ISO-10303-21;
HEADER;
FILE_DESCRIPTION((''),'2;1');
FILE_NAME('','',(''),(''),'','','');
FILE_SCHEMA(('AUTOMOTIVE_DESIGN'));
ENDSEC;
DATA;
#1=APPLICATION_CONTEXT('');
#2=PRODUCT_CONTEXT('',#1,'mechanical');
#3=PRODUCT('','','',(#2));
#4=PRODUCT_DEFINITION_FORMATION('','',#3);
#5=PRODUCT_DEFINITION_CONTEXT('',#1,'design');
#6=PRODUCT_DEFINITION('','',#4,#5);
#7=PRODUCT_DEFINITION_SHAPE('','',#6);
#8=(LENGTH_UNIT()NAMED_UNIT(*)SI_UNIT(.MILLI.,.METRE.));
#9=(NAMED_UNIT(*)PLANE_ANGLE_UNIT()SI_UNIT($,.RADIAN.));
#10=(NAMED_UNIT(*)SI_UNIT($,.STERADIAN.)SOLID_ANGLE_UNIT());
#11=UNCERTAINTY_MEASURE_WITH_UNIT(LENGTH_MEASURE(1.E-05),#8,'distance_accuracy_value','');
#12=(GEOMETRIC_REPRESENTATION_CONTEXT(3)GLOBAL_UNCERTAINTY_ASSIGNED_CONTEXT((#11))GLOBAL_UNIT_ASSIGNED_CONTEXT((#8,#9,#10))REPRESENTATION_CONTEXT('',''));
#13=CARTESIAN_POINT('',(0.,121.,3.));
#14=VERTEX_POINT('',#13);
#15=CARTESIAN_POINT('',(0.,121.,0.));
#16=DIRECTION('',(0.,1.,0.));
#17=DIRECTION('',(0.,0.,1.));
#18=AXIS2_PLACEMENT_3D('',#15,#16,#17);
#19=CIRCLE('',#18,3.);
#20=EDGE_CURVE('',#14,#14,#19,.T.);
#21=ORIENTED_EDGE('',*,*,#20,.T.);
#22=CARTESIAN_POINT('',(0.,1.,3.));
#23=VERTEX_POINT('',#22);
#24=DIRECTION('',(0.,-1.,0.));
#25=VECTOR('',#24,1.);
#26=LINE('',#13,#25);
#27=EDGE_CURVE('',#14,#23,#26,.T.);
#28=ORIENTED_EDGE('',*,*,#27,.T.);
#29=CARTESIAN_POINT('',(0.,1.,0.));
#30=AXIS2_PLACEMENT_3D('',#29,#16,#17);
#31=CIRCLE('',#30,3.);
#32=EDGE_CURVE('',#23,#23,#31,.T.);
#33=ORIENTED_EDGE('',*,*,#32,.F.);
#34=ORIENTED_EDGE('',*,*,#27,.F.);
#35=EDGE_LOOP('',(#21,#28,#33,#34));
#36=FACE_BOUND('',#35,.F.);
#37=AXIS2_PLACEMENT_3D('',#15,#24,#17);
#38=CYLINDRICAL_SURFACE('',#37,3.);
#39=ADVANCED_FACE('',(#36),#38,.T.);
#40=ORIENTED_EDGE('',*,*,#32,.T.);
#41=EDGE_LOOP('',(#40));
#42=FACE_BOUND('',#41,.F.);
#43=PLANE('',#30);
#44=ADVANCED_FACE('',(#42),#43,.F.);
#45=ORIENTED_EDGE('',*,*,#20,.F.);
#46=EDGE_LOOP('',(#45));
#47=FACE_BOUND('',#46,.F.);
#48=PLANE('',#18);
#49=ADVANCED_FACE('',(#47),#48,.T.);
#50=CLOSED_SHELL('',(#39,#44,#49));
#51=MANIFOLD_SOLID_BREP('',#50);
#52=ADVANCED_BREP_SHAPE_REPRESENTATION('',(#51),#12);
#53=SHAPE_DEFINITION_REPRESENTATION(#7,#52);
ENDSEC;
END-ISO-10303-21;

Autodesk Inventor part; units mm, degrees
ref_plane "YZ Plane" through (0, 0, 0) normal (1, 0, 0) x (0, 1, 0)
ref_plane "XZ Plane" through (0, 0, 0) normal (0, 1, 0) x (-1, 0, 0)
ref_plane "XY Plane" through (0, 0, 0) normal (0, 0, 1) x (1, 0, 0)
sketch "Sketch1" plane through (0, 0, 0) normal (1, 0, 0) x (0, 1, 0)
  line L0 (121, 3) -> (1, 3)
  line L1 (1, 3) -> (1, -3)
  line L2 (1, -3) -> (121, -3)
  line L3 (121, -3) -> (121, 3)
  line L4 (121, 3) -> (1, -3) construction
  line L5 (1, 3) -> (121, -3) construction
  line L6 (10, 8.35) -> (0, 8.35)
  line L7 (0, 8.35) -> (0, 20)
  line L8 (10, 8.35) -> (10, 9.45)
  line L9 (10, 9.45) -> (16, 9.45)
  line L10 (16, 9.45) -> (16, 17)
  line L11 (16, 17) -> (18, 17)
  line L12 (18, 17) -> (18, 18.5)
  line L13 (18, 18.5) -> (16, 18.5)
  line L14 (16, 18.5) -> (16, 20)
  line L15 (16, 20) -> (0, 20)
  line L16 (-24.2, 0) -> (145.2, 0) projected
  line L17 (16, 20) -> (31, 20)
  line L18 (18, 17) -> (31, 17)
  line L19 (75, 9.45) -> (69, 9.45)
  line L20 (69, 9.45) -> (69, 8.35)
  line L21 (69, 8.35) -> (66, 8.35)
  line L22 (75, 9.45) -> (75, 12.45)
  arc A0 (75, 12.45) -> (31, 20) centre (31, -111.9869) ccw
  arc A1 (59.1084, 13.9001) -> (31, 17) centre (31, -111.9869) ccw
  arc A2 (66, 8.35) -> (59.1084, 13.9001) centre (56.9292, 4.1404) ccw
  line L23 (121, 0) -> (1, 0)
  point P0 (0, 0)
  point P1 (61, 0)
  point P2 (61, 0)
  dimension "d0" = 120
  dimension "d1" = 6
  dimension "d5" = 8.35
  dimension "d6" = 9.45
  dimension "d7" = 1.5
  dimension "d8" = 1.5
  dimension "d9" = 20
  dimension "d10" = 6
  dimension "d11" = 2
  dimension "d13" = 10
  dimension "d14" = 1
  dimension "d15" = 6
  dimension "d16" = 3
  dimension "d17" = 9.45
  dimension "d18" = 3
  dimension "d19" = 8.35
  dimension "d20" = 15
  dimension "d21" = 7.55
  dimension "d22" = 75
  dimension "d23" = 10
revolve "Revolution1" add sketch "Sketch1" angle 360 about axis through (0, -10, 0) along (0, 1, 0) contours L3 L16 L1 L0
thread "Thread1" size "M6x1" class "6g" standard "ANSI Metric M Profile" full length
properties part number "Main Rod" material "Stainless Steel"
